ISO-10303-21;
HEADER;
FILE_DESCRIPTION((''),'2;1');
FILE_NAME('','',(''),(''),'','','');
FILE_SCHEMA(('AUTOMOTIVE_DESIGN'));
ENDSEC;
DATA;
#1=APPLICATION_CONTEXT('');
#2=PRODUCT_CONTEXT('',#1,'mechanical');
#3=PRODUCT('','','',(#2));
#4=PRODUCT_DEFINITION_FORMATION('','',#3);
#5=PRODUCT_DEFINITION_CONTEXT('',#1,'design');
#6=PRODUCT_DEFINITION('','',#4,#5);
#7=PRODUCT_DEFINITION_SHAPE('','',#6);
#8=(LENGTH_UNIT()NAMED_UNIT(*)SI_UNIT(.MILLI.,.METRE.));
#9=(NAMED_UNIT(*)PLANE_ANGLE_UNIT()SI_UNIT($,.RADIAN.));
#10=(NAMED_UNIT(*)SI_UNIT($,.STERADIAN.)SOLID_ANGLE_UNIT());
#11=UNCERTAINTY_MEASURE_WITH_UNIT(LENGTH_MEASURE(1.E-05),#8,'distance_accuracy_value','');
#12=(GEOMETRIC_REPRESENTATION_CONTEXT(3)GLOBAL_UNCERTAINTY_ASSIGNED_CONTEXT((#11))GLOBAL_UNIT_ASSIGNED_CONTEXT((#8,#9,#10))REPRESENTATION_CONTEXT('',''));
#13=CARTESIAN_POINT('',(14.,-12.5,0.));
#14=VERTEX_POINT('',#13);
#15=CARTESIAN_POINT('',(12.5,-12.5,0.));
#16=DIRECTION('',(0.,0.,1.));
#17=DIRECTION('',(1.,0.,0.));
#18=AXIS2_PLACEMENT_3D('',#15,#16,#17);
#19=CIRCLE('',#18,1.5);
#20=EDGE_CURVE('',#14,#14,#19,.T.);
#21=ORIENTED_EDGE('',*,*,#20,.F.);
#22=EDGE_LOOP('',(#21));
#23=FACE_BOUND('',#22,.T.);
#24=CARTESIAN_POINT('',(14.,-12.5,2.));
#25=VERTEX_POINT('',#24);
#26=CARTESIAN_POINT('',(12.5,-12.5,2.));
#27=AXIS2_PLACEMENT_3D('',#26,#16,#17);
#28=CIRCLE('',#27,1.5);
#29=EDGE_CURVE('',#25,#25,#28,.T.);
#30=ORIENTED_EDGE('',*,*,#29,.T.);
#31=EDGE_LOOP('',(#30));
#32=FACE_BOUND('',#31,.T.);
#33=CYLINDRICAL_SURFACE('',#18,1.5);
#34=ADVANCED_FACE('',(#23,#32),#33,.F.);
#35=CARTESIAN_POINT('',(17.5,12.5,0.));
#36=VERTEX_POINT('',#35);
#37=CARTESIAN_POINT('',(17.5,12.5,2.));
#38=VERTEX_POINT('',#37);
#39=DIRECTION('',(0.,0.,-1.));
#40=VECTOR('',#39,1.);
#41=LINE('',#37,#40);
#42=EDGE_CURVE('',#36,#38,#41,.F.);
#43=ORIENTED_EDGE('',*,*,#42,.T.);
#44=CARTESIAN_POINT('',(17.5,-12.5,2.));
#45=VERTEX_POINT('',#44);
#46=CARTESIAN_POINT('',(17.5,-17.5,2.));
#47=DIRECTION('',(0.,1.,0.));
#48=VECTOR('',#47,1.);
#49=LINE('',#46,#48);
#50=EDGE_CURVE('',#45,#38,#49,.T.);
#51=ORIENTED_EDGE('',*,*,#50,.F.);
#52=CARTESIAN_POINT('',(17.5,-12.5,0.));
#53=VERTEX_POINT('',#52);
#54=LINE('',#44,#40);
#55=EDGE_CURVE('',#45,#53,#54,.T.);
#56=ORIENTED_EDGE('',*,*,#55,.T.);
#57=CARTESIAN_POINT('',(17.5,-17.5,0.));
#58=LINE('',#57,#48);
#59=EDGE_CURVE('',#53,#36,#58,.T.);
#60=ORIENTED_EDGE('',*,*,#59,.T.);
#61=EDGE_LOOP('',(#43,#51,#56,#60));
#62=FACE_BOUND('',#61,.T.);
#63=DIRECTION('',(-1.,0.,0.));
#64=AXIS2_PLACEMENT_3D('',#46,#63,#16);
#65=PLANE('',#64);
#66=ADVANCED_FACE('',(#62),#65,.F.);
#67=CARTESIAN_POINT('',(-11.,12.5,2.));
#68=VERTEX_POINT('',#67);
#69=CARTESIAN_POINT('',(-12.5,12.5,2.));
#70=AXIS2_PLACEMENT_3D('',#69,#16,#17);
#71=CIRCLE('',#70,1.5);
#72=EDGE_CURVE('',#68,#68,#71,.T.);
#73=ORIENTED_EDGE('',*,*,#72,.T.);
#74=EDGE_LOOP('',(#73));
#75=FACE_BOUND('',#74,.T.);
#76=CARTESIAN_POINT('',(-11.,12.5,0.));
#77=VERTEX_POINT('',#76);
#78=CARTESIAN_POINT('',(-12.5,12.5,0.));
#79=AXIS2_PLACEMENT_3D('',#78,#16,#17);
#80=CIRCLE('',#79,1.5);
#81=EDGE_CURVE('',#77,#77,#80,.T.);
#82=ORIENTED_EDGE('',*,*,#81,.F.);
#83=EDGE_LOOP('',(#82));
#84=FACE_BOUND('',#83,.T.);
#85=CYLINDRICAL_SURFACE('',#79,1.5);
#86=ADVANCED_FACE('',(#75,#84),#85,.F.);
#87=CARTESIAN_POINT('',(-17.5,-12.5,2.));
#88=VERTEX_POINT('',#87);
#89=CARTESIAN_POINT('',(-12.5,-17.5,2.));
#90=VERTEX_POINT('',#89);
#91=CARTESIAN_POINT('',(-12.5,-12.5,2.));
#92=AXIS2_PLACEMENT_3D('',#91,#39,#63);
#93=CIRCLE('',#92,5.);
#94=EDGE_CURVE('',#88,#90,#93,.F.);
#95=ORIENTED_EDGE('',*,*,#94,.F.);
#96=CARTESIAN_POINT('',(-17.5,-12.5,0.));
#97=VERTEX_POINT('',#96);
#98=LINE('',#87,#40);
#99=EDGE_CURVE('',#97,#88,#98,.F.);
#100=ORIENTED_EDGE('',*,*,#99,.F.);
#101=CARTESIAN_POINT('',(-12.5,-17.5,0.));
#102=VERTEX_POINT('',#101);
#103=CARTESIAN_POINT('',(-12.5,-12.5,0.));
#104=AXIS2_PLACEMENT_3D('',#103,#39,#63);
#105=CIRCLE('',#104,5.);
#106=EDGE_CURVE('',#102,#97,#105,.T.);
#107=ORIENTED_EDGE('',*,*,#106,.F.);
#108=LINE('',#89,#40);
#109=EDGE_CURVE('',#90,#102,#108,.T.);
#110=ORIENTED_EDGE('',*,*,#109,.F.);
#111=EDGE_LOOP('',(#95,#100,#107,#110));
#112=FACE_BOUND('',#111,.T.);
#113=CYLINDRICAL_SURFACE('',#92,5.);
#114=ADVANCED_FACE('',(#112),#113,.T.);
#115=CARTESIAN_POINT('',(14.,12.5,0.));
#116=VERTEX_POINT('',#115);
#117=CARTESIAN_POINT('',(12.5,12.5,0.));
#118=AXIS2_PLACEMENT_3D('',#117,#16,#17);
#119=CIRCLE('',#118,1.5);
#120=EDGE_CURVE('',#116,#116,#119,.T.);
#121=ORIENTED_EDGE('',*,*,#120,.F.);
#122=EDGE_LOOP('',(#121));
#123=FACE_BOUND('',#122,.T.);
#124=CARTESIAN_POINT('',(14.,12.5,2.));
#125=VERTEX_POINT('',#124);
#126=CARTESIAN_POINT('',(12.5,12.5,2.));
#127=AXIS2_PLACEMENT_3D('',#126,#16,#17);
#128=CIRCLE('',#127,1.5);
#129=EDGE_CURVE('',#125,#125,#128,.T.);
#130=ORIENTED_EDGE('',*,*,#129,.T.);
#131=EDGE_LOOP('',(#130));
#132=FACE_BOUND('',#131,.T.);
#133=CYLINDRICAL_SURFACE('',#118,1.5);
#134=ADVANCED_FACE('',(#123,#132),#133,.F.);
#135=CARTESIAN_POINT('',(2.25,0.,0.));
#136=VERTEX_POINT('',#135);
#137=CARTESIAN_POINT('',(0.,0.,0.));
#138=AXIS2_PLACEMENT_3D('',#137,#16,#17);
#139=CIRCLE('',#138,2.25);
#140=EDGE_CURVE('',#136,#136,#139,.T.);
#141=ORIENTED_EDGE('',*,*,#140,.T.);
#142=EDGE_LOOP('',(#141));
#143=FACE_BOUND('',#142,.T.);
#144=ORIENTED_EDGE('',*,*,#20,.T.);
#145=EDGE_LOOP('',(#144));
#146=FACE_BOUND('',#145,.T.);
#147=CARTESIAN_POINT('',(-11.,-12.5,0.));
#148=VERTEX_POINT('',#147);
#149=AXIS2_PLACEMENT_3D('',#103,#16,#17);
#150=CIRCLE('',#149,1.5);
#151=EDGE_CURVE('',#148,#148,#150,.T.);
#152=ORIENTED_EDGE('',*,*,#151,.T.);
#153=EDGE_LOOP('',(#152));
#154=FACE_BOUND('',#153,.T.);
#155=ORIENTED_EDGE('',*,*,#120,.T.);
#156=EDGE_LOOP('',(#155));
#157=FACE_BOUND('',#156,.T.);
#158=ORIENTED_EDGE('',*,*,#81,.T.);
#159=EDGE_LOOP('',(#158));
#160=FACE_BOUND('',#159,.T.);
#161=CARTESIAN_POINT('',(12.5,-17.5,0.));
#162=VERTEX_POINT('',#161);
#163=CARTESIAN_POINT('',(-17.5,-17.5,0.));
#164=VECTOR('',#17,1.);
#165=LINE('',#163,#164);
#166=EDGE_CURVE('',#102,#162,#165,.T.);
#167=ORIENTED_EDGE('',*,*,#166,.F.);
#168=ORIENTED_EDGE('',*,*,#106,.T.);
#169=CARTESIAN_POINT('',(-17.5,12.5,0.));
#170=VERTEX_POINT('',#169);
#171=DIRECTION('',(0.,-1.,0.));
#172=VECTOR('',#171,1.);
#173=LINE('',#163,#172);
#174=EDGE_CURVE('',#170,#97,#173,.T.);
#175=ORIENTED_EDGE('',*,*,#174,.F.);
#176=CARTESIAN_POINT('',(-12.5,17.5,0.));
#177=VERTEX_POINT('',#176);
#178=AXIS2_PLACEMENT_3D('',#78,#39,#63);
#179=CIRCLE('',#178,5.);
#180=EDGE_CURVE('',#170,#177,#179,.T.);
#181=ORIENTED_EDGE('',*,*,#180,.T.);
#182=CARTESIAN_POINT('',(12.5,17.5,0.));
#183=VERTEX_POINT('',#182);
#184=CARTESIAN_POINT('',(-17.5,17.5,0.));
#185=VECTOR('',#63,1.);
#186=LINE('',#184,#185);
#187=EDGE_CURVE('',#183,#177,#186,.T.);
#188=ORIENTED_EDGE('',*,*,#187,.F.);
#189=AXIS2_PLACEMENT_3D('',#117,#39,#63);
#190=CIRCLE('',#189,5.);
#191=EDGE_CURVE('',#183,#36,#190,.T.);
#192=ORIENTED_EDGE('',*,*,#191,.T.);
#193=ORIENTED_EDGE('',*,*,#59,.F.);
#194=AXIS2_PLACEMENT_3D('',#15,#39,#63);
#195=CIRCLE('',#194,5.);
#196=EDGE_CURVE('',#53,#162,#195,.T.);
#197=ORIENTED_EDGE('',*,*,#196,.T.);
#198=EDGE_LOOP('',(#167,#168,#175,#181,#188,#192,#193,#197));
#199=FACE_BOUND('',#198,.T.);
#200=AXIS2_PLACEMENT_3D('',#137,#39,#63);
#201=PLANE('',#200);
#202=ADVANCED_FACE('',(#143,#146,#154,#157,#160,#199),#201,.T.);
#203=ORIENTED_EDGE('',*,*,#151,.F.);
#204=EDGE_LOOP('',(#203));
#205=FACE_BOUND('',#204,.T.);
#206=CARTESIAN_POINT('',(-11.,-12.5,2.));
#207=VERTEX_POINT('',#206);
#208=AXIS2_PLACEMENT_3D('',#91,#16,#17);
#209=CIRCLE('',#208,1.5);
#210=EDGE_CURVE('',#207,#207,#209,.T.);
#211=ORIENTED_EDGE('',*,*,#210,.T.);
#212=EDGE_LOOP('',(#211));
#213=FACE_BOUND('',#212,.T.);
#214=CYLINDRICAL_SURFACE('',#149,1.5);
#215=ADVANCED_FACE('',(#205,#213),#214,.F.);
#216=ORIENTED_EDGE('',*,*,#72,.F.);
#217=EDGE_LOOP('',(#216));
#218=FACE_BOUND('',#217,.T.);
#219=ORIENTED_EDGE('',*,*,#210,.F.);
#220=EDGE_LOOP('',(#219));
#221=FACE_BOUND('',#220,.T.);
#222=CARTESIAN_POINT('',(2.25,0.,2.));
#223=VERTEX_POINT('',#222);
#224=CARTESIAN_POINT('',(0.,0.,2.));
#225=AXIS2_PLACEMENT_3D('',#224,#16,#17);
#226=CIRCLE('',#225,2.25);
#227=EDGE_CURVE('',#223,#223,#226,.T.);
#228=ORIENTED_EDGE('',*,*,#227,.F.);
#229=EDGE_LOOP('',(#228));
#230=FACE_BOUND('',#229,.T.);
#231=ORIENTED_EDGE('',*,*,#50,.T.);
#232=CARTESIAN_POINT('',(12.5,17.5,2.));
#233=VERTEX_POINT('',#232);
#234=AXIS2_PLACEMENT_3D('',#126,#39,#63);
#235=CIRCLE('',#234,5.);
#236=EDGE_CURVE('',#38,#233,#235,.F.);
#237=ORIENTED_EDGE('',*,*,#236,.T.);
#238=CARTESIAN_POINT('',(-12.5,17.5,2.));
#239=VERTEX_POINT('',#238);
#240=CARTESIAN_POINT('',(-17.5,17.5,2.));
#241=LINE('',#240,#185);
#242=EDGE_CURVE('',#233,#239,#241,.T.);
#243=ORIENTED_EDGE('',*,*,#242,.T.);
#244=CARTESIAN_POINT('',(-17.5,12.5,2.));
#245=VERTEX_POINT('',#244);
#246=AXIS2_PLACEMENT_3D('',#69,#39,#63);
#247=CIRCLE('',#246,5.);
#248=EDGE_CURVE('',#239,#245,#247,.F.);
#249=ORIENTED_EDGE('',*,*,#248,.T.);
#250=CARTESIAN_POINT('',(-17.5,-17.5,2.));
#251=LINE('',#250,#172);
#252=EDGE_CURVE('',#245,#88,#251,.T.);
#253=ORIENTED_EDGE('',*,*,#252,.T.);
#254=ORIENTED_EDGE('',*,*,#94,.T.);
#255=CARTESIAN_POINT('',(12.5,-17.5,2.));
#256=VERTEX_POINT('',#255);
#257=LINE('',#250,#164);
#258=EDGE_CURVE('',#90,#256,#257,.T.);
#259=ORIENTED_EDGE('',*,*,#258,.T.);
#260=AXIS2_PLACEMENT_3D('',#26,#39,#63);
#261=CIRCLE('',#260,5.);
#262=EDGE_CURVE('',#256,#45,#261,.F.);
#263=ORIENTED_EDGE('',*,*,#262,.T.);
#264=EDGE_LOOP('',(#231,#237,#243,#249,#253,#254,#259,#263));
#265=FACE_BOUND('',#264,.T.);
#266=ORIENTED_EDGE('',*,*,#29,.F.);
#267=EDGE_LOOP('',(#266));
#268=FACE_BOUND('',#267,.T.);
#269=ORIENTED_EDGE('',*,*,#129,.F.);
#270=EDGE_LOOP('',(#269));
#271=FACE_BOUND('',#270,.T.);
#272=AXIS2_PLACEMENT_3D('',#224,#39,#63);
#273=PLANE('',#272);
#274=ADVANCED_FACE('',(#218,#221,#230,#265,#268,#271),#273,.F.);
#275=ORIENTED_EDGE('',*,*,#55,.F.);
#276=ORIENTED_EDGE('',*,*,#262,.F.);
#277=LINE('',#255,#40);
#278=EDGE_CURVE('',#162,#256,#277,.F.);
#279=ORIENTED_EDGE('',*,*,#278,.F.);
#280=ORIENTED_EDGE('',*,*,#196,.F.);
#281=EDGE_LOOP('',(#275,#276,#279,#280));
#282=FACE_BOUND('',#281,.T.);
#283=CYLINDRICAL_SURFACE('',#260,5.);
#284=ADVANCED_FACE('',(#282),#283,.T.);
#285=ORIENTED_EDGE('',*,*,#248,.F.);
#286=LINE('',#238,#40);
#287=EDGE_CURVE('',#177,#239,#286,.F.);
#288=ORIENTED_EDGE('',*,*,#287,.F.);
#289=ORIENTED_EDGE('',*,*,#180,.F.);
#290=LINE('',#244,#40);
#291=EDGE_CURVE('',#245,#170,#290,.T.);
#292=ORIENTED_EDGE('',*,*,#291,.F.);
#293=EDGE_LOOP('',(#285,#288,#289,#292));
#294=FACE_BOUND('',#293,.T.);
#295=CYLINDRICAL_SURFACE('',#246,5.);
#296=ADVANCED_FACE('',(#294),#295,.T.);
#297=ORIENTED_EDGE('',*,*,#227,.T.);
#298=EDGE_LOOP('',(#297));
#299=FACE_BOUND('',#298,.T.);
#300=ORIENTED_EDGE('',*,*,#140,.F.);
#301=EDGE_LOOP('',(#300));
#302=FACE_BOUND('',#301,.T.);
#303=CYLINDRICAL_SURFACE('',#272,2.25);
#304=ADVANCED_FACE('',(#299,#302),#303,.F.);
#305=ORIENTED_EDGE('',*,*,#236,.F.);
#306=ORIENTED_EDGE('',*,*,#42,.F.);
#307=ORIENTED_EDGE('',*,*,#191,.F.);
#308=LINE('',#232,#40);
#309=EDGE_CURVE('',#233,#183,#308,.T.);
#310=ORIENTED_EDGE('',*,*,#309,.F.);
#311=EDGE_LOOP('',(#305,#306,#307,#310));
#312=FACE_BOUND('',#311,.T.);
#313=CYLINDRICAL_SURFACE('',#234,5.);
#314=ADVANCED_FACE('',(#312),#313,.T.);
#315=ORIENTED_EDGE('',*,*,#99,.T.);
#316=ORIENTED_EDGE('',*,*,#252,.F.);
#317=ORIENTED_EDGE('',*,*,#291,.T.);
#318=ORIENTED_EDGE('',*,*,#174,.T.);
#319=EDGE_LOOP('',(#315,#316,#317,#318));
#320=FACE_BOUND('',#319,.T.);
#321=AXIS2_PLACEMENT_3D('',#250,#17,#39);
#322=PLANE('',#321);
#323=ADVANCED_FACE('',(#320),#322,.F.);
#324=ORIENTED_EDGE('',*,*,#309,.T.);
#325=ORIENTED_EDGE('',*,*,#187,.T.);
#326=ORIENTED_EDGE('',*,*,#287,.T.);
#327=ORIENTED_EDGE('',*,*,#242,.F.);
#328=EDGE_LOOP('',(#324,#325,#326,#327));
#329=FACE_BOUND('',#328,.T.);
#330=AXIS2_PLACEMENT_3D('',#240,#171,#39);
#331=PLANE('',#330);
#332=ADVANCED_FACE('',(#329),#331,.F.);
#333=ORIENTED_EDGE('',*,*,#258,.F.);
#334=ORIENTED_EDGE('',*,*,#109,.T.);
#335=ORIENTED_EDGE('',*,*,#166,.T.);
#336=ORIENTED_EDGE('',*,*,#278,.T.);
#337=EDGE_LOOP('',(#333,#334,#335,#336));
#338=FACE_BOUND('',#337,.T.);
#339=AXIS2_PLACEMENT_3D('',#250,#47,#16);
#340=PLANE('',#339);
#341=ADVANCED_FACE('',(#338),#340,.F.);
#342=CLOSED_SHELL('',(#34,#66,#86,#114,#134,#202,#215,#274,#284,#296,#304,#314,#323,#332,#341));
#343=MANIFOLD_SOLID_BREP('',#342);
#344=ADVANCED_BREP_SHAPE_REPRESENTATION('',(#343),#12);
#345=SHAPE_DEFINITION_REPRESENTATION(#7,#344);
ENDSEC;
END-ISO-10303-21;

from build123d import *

# Parameters (mm, degrees)
CROQUIS1_W              = 35
CROQUIS1_H              = 35
CROQUIS1_R              = 2.25
SALIENTE_EXTRUIR1_DEPTH = 2
REDONDEO1_R             = 5
CROQUIS2_R              = 1.5
CORTAR_EXTRUIR1_DEPTH   = 25.829418036


with BuildPart() as part:
    # Croquis1 → Saliente-Extruir1 (new body)
    with BuildSketch(Plane.XY):
        Rectangle(CROQUIS1_W, CROQUIS1_H)
        Circle(CROQUIS1_R, mode=Mode.SUBTRACT)
    extrude(amount=SALIENTE_EXTRUIR1_DEPTH)

    # Redondeo1
    redondeo1_edges = [part.edges().sort_by_distance(p)[0] for p in [
        (17.5, -17.5, 1),
        (-17.5, -17.5, 1),
        (-17.5, 17.5, 1),
        (17.5, 17.5, 1),
    ]]
    fillet(redondeo1_edges, radius=REDONDEO1_R)

    # Croquis2 → Cortar-Extruir1 (cut, through all)
    with BuildSketch(Plane.XY.offset(2)):
        with Locations((-12.5, 12.5)):
            Circle(CROQUIS2_R)
        with Locations((12.5, 12.5)):
            Circle(CROQUIS2_R)
        with Locations((12.5, -12.5)):
            Circle(CROQUIS2_R)
        with Locations((-12.5, -12.5)):
            Circle(CROQUIS2_R)
    extrude(amount=-CORTAR_EXTRUIR1_DEPTH, mode=Mode.SUBTRACT)


solid = part.part
